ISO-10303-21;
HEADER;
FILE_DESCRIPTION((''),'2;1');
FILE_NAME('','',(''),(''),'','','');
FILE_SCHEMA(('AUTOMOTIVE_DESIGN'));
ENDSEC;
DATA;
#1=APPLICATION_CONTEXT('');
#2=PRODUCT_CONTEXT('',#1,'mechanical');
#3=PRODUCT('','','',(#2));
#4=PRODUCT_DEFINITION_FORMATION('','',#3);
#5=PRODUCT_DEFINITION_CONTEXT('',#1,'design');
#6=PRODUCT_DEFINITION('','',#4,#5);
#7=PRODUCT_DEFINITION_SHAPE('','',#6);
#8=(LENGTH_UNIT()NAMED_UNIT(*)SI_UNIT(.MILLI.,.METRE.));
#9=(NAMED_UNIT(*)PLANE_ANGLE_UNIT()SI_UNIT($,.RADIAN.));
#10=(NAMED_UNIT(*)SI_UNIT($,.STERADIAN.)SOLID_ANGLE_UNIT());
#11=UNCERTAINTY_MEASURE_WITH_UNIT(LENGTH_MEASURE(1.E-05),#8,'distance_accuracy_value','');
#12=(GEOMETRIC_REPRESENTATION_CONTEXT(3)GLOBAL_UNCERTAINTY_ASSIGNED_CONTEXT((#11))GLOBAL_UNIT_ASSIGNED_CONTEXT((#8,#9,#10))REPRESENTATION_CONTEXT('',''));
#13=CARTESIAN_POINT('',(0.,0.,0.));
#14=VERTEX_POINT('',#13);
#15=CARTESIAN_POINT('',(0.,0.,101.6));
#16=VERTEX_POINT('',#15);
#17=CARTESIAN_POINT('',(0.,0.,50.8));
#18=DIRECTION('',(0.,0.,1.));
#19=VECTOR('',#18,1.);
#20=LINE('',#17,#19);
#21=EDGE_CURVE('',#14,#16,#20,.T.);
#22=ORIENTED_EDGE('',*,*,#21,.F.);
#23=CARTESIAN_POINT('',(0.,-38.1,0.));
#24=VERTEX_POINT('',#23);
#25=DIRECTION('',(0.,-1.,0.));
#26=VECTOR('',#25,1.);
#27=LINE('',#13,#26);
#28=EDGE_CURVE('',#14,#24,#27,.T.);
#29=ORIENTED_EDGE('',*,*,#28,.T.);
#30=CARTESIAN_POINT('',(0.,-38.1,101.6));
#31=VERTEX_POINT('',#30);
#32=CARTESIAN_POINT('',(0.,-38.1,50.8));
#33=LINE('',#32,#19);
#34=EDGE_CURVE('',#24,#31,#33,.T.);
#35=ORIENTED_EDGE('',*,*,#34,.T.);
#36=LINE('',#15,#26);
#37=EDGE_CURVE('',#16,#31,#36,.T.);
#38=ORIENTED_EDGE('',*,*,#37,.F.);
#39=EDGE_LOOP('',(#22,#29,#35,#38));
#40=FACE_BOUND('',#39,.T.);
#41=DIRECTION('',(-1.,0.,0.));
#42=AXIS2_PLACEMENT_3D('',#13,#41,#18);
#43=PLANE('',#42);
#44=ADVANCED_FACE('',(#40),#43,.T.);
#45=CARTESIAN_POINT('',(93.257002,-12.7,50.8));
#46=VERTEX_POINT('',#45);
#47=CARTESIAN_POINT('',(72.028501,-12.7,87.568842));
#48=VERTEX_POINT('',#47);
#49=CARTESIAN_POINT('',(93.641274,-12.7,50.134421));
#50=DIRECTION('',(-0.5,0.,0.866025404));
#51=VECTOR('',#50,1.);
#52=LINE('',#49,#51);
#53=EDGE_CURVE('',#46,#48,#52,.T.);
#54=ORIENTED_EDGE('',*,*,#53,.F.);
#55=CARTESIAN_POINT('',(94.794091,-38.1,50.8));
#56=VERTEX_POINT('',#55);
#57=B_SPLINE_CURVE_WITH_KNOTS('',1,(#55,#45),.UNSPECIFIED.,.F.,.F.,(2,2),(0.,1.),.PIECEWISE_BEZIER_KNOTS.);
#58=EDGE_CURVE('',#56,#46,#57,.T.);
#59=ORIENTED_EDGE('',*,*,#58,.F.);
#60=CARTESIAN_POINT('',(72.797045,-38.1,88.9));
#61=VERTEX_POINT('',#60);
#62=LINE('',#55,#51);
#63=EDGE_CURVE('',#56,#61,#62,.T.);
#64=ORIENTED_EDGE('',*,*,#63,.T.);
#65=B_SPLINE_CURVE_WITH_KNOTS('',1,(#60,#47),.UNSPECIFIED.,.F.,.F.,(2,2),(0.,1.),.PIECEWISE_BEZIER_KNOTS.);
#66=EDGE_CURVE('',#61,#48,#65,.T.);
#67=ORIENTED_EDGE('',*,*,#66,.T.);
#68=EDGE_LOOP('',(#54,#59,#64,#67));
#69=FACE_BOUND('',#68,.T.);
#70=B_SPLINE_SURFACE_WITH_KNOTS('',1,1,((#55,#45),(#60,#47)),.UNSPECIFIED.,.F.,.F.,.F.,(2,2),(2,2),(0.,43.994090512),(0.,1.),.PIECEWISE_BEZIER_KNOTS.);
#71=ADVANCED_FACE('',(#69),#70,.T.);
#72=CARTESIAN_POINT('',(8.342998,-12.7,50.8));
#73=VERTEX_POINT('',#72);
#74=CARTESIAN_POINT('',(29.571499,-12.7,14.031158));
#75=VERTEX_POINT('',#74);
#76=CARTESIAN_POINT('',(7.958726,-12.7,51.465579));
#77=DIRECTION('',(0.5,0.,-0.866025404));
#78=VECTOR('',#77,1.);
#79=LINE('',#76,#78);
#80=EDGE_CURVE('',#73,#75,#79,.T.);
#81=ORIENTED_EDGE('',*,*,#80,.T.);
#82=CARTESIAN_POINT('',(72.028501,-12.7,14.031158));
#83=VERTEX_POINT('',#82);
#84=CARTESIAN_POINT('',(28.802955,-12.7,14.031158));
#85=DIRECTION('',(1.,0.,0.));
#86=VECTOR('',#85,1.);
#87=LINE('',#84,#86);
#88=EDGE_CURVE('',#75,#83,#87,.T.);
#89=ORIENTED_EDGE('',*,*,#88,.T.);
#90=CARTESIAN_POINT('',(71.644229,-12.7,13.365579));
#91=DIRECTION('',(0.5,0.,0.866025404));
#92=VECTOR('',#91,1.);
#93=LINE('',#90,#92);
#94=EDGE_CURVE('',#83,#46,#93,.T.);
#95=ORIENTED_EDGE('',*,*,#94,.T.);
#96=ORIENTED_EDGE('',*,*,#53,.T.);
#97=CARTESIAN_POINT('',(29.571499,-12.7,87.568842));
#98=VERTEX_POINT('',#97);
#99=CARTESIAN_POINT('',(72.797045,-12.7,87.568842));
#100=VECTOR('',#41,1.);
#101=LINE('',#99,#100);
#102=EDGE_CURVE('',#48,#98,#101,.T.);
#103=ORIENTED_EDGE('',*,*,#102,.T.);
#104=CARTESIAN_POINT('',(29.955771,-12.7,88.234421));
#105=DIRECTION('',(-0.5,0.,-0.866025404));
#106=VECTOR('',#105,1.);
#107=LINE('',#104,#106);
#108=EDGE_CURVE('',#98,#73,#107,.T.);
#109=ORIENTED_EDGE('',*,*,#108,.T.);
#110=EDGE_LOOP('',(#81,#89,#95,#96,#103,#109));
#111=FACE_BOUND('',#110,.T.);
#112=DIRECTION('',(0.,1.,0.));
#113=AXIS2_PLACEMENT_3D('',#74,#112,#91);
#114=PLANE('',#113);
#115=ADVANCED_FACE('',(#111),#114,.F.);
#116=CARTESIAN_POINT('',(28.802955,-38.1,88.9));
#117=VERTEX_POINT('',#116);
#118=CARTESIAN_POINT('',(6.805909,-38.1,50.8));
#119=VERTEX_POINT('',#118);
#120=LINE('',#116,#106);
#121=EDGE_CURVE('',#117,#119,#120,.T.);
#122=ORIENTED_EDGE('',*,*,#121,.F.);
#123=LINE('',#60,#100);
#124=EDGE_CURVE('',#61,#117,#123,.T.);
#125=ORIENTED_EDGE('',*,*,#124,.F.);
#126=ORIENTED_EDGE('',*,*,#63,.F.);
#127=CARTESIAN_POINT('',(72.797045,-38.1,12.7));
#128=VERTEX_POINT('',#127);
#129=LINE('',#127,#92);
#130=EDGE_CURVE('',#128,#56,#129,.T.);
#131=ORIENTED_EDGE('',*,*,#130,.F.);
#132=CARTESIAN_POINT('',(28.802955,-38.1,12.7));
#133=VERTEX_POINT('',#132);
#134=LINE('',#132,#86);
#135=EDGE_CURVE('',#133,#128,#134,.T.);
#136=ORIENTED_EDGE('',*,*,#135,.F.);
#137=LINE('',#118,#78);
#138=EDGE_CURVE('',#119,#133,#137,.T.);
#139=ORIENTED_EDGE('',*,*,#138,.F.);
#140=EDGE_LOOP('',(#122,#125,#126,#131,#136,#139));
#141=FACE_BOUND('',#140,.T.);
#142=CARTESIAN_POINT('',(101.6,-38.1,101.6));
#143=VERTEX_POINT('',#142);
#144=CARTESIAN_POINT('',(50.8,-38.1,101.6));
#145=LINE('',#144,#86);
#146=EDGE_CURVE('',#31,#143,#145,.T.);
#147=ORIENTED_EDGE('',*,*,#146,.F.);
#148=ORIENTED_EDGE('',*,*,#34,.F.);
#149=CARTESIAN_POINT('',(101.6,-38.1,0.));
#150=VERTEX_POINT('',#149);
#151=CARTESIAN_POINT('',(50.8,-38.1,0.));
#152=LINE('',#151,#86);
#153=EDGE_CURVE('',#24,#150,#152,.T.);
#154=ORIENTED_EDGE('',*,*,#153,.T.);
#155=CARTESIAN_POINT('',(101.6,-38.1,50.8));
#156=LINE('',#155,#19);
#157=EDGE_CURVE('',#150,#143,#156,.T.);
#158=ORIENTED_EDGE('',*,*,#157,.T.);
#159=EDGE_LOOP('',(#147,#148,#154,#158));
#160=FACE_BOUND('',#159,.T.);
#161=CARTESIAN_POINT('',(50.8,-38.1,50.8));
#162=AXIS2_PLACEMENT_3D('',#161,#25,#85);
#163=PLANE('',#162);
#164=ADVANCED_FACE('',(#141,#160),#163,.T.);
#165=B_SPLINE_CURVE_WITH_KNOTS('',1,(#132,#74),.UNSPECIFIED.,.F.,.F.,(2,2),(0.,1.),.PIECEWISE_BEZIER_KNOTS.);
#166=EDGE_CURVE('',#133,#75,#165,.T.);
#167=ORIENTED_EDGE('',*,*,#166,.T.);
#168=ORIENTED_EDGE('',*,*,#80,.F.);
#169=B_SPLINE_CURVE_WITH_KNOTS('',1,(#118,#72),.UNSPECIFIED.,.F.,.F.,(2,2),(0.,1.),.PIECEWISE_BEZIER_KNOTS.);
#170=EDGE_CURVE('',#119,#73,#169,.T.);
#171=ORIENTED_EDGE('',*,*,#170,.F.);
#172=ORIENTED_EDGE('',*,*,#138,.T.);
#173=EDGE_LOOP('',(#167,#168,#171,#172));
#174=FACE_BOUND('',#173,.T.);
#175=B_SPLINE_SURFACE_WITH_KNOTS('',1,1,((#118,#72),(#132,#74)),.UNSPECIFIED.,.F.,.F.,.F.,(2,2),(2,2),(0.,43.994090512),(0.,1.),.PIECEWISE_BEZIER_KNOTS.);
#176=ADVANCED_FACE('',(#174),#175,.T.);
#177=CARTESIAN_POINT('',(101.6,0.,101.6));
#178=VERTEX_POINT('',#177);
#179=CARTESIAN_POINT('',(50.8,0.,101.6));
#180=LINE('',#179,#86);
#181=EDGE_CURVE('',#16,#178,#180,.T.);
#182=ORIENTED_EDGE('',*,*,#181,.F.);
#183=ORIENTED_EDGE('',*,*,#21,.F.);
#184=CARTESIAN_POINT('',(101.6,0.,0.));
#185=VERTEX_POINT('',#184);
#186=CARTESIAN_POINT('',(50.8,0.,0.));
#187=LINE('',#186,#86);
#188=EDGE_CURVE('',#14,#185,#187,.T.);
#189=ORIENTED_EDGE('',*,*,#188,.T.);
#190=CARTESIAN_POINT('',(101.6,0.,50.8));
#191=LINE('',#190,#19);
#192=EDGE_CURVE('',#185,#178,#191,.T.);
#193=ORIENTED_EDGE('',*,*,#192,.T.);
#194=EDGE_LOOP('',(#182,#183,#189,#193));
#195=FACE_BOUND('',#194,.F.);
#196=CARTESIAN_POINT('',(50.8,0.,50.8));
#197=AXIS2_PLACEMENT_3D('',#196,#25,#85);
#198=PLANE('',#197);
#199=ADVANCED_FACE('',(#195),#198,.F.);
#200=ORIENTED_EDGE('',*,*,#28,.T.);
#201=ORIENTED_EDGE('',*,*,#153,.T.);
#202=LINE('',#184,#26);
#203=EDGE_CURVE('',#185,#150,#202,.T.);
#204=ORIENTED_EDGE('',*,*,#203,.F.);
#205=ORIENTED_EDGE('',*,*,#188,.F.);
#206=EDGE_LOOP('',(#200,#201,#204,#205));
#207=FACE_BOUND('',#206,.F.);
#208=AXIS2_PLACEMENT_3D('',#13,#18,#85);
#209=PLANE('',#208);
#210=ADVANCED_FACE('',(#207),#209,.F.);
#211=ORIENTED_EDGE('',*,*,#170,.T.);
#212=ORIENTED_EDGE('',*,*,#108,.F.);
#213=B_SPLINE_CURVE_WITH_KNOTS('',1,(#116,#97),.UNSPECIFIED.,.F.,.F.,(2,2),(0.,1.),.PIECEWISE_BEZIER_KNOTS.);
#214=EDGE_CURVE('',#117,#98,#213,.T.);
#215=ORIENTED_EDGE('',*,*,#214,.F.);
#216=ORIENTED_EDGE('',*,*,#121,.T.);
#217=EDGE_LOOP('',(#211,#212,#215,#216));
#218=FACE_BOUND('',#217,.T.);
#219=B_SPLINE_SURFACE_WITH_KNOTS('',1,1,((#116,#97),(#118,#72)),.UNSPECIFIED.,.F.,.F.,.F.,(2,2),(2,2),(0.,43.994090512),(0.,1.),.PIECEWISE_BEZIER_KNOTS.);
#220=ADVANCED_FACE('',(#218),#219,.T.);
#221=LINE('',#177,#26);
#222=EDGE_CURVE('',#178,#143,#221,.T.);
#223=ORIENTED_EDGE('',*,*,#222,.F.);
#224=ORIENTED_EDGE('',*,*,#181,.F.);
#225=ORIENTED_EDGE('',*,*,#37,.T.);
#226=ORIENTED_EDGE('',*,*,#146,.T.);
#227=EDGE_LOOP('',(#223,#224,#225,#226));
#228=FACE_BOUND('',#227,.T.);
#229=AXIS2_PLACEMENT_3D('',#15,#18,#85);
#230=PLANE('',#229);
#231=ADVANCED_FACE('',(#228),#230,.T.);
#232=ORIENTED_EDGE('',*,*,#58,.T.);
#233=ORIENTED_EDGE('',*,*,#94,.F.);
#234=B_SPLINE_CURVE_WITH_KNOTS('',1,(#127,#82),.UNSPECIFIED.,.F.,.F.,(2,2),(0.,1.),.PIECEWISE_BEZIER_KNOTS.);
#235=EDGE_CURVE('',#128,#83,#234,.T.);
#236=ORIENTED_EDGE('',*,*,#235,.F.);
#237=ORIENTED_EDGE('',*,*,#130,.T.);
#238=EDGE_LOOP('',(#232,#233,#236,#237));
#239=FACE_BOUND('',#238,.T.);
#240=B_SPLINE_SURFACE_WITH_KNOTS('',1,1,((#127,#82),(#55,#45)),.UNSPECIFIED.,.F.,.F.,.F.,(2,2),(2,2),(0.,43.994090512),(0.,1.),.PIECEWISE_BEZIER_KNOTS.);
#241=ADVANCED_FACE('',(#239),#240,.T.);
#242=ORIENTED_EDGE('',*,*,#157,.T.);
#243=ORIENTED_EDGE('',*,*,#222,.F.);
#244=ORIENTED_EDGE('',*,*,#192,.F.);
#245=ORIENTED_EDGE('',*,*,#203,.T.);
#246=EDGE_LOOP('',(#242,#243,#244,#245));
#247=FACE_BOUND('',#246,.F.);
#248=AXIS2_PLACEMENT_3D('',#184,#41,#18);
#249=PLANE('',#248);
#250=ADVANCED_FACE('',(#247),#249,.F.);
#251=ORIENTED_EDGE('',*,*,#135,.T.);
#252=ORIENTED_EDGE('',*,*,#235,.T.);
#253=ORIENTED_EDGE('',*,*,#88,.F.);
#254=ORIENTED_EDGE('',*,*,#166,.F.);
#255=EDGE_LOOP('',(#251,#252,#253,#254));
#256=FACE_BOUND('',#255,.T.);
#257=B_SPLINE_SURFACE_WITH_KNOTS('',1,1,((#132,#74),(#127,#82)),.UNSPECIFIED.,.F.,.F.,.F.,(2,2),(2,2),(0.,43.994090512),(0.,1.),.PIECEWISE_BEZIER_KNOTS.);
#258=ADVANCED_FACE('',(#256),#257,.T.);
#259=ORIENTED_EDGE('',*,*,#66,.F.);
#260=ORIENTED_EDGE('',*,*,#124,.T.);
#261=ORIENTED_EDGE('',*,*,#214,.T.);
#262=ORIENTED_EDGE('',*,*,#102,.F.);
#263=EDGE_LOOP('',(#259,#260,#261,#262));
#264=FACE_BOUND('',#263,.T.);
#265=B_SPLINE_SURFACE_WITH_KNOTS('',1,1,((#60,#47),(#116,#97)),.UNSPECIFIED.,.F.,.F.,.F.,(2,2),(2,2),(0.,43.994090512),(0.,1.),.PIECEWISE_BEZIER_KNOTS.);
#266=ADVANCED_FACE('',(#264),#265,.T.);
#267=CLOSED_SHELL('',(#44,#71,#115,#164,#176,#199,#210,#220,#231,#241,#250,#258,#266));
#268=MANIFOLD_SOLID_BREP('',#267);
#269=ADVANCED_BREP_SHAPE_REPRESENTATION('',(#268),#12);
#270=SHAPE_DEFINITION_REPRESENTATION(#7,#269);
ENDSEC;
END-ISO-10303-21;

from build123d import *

# Parameters (mm, degrees)
F0_W     = 101.6
F0_H     = 101.6
F1_DEPTH = 38.1
F3_DEPTH = 25.4
F3_TAPER = 3


with BuildPart() as f1:
    # F0 (on Front) → F1 (new body)
    with BuildSketch(Plane.XZ):
        with Locations((50.8, 50.8)):
            Rectangle(F0_W, F0_H)
    extrude(amount=F1_DEPTH)

    # F2 (on face) → F3 (cut)
    with BuildSketch(Plane.XZ.offset(38.1)):
        Polygon((28.8029547439, 12.7), (72.7970452561, 12.7), (94.7940905122, 50.8), (72.7970452561, 88.9), (28.8029547439, 88.9), (6.8059094878, 50.8), align=None)
    extrude(amount=-F3_DEPTH, taper=F3_TAPER, mode=Mode.SUBTRACT)


solid = f1.part
